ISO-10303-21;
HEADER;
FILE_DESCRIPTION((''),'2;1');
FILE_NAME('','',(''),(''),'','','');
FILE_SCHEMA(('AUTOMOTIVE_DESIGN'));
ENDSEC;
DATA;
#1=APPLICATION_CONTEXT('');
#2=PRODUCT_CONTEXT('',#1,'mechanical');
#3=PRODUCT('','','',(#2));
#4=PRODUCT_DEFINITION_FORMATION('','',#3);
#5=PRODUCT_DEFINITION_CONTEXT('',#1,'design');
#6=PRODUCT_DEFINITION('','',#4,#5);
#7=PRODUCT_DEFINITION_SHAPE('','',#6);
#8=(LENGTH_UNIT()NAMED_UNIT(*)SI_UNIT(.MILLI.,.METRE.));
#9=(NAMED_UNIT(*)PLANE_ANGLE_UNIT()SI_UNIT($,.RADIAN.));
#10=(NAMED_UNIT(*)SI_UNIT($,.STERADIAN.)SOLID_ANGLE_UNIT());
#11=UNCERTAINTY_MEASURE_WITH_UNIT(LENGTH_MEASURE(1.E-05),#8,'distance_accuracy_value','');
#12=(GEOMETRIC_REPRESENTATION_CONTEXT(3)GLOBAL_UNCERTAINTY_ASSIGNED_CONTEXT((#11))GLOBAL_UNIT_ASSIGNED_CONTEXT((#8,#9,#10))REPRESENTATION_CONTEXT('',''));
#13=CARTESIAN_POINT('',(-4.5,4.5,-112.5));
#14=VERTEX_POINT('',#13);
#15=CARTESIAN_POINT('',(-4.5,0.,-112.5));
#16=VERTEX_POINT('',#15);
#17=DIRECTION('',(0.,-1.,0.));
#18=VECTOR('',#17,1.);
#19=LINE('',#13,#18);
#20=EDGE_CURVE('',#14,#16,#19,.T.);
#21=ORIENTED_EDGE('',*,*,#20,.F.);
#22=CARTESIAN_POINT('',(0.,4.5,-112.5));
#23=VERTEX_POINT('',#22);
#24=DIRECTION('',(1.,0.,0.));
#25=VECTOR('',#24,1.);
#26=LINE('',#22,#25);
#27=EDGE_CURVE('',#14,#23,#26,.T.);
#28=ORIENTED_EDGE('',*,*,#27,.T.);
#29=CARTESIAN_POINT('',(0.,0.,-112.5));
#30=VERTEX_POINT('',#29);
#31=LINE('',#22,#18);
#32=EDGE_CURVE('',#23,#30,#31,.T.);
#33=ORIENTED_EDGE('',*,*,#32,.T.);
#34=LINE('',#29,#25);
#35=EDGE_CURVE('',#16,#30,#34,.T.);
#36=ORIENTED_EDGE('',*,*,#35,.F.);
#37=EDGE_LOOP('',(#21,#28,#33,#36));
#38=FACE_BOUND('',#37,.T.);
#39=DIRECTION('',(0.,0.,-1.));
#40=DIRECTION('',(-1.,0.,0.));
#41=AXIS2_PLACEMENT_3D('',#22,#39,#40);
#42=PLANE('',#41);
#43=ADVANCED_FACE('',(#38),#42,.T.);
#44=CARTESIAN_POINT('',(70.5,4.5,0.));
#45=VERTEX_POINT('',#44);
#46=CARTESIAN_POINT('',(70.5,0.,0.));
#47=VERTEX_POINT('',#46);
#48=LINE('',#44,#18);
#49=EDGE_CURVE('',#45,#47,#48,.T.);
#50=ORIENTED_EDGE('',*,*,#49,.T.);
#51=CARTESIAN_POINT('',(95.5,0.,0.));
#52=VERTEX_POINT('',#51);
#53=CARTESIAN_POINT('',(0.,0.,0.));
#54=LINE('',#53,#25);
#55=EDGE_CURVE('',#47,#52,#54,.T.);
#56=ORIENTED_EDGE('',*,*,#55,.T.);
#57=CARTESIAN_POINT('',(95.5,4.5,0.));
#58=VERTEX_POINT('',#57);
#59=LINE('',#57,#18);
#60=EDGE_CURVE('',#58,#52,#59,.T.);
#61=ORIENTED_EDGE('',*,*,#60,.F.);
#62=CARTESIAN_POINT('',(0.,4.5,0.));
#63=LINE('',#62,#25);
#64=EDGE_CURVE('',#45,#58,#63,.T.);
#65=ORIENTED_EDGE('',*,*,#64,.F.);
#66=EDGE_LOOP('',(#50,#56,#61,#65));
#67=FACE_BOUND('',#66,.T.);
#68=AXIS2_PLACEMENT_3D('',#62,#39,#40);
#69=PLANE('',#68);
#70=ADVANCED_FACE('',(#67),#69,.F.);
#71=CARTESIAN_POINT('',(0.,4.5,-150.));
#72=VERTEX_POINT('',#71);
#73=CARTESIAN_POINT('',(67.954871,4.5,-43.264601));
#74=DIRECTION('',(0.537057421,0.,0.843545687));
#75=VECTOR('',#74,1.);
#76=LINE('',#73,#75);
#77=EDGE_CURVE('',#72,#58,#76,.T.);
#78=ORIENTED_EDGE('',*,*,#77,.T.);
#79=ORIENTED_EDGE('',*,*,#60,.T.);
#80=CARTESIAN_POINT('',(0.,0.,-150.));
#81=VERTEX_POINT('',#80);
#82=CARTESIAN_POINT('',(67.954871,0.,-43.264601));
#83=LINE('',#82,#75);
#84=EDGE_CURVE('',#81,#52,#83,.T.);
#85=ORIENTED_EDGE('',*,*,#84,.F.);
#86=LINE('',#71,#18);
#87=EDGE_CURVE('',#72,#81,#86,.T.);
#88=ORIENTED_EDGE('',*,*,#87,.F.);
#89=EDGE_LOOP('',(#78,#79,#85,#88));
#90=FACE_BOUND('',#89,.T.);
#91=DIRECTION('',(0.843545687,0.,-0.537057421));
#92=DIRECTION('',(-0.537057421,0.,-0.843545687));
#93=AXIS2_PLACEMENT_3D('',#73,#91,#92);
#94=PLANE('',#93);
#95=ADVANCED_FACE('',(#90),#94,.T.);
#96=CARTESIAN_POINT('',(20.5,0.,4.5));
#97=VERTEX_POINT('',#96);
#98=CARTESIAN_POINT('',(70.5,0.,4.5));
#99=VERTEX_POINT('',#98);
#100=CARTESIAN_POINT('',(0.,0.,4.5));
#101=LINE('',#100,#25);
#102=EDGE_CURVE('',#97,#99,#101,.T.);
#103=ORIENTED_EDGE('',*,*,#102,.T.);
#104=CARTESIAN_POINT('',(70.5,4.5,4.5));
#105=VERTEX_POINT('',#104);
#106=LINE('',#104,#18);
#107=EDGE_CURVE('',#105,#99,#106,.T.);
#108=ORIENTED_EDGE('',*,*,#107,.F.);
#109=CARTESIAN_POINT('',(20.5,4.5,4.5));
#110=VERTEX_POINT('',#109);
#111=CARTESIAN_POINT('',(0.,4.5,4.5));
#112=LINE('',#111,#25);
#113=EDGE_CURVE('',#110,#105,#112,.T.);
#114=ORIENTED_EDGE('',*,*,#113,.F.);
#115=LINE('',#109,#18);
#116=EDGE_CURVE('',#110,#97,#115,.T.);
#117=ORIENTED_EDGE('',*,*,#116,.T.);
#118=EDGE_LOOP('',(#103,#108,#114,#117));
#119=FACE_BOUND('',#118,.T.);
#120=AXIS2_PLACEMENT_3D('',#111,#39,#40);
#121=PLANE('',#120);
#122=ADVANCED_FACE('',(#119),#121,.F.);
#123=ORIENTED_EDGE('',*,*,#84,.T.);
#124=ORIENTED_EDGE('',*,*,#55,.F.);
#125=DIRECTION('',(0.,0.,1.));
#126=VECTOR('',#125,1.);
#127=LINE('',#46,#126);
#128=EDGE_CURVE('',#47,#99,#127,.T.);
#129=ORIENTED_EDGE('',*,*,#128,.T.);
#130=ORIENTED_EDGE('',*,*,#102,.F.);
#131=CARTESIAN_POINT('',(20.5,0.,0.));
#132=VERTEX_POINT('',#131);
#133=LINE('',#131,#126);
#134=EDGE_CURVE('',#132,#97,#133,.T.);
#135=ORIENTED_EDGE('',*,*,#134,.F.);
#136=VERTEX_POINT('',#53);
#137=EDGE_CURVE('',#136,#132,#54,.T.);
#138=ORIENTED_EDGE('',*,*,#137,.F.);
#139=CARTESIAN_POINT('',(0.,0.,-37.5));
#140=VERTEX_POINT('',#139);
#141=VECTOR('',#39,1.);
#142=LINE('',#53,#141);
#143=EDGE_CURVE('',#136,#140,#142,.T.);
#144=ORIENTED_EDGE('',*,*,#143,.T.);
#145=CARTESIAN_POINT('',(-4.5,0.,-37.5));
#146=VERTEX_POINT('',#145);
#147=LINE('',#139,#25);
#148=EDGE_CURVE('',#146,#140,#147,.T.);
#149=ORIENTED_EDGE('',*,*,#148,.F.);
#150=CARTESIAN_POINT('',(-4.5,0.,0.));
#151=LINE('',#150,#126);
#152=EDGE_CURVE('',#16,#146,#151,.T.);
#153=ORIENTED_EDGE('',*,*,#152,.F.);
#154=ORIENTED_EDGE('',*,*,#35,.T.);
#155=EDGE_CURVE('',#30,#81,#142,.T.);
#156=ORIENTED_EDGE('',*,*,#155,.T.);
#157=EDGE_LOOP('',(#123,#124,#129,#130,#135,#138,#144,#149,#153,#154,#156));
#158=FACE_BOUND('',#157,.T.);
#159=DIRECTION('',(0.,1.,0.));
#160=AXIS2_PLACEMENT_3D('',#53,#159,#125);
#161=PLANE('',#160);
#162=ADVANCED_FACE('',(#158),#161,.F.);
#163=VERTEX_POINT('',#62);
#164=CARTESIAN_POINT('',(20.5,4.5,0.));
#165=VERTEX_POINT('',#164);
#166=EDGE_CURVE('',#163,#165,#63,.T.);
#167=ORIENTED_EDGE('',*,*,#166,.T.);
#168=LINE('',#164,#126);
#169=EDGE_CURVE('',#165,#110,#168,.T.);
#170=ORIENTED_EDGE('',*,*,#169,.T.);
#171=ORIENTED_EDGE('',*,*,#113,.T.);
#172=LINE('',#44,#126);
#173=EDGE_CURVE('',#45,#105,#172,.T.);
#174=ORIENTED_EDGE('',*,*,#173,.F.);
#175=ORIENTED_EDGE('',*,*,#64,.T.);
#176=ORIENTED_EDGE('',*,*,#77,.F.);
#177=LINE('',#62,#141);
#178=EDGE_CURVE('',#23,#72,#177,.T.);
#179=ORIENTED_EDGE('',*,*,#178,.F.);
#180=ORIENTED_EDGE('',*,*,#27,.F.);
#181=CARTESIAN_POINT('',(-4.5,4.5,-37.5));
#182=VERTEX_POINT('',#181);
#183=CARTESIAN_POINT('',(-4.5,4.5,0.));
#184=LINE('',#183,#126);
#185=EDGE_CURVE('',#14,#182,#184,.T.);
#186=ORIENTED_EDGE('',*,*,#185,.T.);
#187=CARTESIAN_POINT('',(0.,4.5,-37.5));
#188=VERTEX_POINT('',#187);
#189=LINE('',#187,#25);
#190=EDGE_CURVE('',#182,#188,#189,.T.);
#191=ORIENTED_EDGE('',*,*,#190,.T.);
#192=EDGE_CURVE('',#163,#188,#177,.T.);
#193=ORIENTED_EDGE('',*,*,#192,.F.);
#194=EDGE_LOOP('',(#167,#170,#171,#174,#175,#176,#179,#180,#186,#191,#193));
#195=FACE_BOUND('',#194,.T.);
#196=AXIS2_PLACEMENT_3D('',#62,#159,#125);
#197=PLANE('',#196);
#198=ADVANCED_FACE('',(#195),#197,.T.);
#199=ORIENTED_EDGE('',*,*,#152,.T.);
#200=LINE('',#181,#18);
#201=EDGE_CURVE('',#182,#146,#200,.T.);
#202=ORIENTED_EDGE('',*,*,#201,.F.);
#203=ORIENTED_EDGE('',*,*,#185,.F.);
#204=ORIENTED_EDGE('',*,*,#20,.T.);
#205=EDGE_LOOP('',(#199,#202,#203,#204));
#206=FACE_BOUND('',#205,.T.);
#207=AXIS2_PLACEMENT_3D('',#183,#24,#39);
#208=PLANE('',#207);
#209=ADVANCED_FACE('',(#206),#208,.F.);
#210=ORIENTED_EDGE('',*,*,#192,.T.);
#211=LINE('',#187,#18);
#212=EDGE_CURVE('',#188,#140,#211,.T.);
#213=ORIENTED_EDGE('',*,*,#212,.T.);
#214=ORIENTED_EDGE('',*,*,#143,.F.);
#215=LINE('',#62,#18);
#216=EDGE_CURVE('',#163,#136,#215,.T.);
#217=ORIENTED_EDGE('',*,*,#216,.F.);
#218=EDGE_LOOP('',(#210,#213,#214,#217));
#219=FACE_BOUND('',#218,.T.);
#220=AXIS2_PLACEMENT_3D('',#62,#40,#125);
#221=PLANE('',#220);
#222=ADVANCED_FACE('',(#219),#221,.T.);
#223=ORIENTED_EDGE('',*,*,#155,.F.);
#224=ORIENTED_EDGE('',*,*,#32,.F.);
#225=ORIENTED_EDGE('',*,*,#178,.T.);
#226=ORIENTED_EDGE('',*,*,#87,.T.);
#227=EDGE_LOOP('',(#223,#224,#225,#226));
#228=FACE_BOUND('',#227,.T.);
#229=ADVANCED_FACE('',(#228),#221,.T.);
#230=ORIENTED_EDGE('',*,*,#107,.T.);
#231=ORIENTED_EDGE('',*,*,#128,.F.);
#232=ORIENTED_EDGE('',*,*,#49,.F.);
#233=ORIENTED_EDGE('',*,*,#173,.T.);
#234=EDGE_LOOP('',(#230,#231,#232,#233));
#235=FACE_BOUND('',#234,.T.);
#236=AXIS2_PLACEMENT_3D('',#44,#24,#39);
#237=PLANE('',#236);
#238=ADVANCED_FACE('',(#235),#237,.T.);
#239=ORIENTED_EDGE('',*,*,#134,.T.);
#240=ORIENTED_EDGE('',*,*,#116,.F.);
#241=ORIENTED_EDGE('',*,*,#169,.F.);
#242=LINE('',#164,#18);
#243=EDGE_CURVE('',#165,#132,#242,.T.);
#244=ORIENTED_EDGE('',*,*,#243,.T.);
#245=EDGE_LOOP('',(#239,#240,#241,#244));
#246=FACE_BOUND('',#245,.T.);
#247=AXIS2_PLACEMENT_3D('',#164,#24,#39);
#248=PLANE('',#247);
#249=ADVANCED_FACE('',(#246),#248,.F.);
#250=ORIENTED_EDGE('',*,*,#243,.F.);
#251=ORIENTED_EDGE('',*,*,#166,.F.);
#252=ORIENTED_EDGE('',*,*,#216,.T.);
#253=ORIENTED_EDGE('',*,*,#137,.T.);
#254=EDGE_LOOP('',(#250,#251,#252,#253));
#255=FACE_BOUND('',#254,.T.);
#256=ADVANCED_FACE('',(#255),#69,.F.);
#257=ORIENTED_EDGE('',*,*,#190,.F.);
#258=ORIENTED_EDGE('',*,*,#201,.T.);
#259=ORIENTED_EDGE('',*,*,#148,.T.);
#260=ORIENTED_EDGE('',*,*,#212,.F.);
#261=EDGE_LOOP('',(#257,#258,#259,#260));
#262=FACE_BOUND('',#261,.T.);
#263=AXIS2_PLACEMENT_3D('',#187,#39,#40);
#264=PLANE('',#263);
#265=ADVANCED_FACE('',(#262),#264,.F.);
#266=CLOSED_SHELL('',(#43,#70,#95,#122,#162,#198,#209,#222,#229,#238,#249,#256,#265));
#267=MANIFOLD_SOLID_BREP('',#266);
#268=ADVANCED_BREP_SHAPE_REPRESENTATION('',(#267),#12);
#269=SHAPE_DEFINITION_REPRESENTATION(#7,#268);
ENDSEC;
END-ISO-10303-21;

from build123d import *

# Parameters (mm, degrees)
SKETCH1_W           = 4.5
SKETCH1_H           = 75
SKETCH1_W_2         = 50
SKETCH1_H_2         = 4.5
BOSS_EXTRUDE1_DEPTH = 4.5


with BuildPart() as part:
    # Sketch1 → Boss-Extrude1 (new body)
    with BuildSketch(Plane(origin=(0, 0, 0), x_dir=(1, 0, 0), z_dir=(0, 1, 0))):
        with Locations((-2.25, 75)):
            Rectangle(SKETCH1_W, SKETCH1_H)
        Polygon((0, 37.5), (0, 0), (20.5, 0), (20.5, 4.5), (70.5, 4.5), (70.5, 0), (95.5, 0), (0, 150), (0, 112.5), (4.5, 112.5), (4.5, 37.5), align=None)
        with Locations((45.5, -2.25)):
            Rectangle(SKETCH1_W_2, SKETCH1_H_2)
        with Locations((45.5, 2.25)):
            Rectangle(SKETCH1_W_2, SKETCH1_H_2)
        with Locations((2.25, 75)):
            Rectangle(SKETCH1_W, SKETCH1_H)
    extrude(amount=BOSS_EXTRUDE1_DEPTH)


solid = part.part
